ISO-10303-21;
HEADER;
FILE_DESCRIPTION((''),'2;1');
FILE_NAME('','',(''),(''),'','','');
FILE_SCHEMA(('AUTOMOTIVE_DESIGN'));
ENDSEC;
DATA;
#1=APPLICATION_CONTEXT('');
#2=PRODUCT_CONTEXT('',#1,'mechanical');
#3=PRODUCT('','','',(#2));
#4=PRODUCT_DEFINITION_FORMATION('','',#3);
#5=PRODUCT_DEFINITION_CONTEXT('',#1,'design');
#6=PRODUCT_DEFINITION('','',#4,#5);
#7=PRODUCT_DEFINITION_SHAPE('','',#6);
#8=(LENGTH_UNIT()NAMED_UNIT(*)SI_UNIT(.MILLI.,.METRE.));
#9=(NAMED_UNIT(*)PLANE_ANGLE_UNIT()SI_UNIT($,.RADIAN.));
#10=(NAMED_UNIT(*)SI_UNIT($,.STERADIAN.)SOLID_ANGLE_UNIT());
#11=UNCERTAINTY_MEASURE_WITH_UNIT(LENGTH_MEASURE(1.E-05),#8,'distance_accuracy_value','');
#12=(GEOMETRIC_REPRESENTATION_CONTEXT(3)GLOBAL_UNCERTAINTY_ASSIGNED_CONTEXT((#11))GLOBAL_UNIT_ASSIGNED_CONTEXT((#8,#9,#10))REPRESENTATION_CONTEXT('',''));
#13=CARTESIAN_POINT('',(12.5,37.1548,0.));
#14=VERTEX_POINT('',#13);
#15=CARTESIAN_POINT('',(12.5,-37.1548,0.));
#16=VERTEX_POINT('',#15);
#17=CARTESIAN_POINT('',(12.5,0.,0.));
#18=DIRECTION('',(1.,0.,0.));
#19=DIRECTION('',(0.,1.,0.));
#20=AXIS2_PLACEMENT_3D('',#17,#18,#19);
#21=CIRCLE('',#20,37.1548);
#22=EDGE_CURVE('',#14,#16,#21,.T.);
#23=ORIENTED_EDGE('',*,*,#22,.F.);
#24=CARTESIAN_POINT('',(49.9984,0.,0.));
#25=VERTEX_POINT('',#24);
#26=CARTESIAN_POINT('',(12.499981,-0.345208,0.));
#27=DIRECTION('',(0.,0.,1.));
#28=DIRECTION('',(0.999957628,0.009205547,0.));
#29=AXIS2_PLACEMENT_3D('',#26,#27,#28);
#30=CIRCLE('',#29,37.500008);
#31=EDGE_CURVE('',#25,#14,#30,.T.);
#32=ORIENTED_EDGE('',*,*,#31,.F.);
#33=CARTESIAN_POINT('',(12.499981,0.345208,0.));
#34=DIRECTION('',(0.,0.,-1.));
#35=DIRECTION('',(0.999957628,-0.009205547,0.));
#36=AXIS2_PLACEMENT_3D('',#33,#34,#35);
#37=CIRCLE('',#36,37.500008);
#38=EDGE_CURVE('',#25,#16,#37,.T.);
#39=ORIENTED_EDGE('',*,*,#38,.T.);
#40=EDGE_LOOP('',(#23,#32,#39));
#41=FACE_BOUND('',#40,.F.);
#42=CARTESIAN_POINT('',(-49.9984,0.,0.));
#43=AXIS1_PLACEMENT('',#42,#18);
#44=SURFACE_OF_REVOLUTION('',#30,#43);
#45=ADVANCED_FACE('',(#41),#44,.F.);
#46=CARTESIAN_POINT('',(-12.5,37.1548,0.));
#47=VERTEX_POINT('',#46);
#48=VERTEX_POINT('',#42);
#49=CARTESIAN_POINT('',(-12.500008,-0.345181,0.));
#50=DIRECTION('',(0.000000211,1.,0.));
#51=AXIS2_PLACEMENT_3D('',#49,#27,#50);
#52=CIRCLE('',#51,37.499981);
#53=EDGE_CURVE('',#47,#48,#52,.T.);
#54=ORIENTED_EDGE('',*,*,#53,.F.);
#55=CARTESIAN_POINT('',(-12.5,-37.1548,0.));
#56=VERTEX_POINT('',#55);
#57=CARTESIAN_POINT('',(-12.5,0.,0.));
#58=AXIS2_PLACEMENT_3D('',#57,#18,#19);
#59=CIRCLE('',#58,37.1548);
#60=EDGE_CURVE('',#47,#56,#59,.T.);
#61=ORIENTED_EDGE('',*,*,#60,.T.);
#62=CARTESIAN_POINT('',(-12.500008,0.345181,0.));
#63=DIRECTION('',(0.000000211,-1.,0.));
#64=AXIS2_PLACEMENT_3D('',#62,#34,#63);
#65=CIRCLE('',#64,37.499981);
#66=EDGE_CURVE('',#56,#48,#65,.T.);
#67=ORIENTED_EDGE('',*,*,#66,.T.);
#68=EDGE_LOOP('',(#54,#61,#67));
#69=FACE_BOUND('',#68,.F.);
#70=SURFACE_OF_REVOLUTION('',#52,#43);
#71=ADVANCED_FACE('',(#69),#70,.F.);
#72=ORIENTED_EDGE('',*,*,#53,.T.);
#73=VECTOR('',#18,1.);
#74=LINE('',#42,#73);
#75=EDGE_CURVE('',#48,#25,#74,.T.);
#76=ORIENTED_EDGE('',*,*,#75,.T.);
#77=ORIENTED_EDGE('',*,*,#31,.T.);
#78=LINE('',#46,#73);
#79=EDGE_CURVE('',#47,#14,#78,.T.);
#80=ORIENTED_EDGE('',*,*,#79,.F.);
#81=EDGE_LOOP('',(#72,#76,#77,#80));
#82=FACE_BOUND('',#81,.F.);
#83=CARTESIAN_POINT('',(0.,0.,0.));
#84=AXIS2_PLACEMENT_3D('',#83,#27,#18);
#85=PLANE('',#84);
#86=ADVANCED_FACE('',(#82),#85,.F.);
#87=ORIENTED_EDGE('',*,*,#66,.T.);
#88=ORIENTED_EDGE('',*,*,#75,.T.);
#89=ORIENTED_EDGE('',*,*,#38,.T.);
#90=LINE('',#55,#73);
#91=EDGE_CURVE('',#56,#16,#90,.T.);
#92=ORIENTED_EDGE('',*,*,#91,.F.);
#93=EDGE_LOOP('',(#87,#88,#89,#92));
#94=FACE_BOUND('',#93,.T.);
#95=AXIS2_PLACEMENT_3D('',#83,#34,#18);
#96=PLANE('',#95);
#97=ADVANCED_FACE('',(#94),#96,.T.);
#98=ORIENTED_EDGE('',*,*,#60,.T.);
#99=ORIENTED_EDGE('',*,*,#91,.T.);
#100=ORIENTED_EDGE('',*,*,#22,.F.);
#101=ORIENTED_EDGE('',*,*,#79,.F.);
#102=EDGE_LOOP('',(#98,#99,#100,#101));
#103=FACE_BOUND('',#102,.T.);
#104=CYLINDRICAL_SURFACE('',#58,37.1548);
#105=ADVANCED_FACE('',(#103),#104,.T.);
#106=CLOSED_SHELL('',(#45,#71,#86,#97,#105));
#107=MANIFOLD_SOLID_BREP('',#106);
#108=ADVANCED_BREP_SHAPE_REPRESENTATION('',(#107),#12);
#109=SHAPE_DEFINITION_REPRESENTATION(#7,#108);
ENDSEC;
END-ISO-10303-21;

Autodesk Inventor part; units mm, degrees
ref_plane "YZ Plane" through (0, 0, 0) normal (1, 0, 0) x (0, 1, 0)
ref_plane "XZ Plane" through (0, 0, 0) normal (0, 1, 0) x (-1, 0, 0)
sketch "Sketch1" plane through (0, 0, 0) normal (0, 0, 1) x (1, 0, 0)
  arc A0 (-12.5, 37.1548) -> (-49.9984, 0) centre (-12.5, -0.3452) ccw
  arc A1 (49.9984, 0) -> (12.5, 37.1548) centre (12.5, -0.3452) ccw
  line L0 (-12.5, 37.1548) -> (12.5, 37.1548)
  line L1 (-49.9984, 0) -> (49.9984, 0)
  point P0 (0, 0)
  dimension "d0" = 25
  dimension "d1" = 75
  dimension "d3" = 12.5
revolve "Revolution1" add sketch "Sketch1" angle 180 about axis through (-49.9984, 0, 0) along (1, 0, 0)
ref_plane "Work Plane2" through (0, 0, 70) normal (0, 0, 1) x (1, 0, 0)
sketch "Sketch3" plane through (0, 0, 70) normal (0, 0, 1) x (1, 0, 0)
  arc A0 (-49.9984, 0) -> (-12.5, -37.1548) centre (-12.5, 0.3452) ccw
  circle A1 centre (0, 0) radius 9.0115
  line L0 (-4.4971, -7.8092) -> (-25.2895, -34.9065)
  line L1 (4.4971, -7.8092) -> (25.2895, -34.9065)
  arc A2 (12.5, -37.1548) -> (49.9984, 0) centre (12.5, 0.3452) ccw
  line L2 (12.5, -37.1548) -> (-12.5, -37.1548)
  line L3 (0, 0) -> (71.363, 0) construction
  arc A3 (-12.5, 37.1548) -> (-49.9984, 0) centre (-12.5, -0.3452) ccw
  line L4 (12.5, 37.1548) -> (-12.5, 37.1548)
  arc A4 (49.9984, 0) -> (12.5, 37.1548) centre (12.5, -0.3452) ccw
  line L5 (-5.348, 7.253) -> (-26.2795, 34.5314)
  line L6 (5.348, 7.253) -> (26.2795, 34.5314)
  line L7 (0, 0) -> (0, 56.6524) construction
  dimension "d14" = 37.5
  dimension "d15" = 37.5
  dimension "d16" = 37.5
  dimension "d17" = 37.5
